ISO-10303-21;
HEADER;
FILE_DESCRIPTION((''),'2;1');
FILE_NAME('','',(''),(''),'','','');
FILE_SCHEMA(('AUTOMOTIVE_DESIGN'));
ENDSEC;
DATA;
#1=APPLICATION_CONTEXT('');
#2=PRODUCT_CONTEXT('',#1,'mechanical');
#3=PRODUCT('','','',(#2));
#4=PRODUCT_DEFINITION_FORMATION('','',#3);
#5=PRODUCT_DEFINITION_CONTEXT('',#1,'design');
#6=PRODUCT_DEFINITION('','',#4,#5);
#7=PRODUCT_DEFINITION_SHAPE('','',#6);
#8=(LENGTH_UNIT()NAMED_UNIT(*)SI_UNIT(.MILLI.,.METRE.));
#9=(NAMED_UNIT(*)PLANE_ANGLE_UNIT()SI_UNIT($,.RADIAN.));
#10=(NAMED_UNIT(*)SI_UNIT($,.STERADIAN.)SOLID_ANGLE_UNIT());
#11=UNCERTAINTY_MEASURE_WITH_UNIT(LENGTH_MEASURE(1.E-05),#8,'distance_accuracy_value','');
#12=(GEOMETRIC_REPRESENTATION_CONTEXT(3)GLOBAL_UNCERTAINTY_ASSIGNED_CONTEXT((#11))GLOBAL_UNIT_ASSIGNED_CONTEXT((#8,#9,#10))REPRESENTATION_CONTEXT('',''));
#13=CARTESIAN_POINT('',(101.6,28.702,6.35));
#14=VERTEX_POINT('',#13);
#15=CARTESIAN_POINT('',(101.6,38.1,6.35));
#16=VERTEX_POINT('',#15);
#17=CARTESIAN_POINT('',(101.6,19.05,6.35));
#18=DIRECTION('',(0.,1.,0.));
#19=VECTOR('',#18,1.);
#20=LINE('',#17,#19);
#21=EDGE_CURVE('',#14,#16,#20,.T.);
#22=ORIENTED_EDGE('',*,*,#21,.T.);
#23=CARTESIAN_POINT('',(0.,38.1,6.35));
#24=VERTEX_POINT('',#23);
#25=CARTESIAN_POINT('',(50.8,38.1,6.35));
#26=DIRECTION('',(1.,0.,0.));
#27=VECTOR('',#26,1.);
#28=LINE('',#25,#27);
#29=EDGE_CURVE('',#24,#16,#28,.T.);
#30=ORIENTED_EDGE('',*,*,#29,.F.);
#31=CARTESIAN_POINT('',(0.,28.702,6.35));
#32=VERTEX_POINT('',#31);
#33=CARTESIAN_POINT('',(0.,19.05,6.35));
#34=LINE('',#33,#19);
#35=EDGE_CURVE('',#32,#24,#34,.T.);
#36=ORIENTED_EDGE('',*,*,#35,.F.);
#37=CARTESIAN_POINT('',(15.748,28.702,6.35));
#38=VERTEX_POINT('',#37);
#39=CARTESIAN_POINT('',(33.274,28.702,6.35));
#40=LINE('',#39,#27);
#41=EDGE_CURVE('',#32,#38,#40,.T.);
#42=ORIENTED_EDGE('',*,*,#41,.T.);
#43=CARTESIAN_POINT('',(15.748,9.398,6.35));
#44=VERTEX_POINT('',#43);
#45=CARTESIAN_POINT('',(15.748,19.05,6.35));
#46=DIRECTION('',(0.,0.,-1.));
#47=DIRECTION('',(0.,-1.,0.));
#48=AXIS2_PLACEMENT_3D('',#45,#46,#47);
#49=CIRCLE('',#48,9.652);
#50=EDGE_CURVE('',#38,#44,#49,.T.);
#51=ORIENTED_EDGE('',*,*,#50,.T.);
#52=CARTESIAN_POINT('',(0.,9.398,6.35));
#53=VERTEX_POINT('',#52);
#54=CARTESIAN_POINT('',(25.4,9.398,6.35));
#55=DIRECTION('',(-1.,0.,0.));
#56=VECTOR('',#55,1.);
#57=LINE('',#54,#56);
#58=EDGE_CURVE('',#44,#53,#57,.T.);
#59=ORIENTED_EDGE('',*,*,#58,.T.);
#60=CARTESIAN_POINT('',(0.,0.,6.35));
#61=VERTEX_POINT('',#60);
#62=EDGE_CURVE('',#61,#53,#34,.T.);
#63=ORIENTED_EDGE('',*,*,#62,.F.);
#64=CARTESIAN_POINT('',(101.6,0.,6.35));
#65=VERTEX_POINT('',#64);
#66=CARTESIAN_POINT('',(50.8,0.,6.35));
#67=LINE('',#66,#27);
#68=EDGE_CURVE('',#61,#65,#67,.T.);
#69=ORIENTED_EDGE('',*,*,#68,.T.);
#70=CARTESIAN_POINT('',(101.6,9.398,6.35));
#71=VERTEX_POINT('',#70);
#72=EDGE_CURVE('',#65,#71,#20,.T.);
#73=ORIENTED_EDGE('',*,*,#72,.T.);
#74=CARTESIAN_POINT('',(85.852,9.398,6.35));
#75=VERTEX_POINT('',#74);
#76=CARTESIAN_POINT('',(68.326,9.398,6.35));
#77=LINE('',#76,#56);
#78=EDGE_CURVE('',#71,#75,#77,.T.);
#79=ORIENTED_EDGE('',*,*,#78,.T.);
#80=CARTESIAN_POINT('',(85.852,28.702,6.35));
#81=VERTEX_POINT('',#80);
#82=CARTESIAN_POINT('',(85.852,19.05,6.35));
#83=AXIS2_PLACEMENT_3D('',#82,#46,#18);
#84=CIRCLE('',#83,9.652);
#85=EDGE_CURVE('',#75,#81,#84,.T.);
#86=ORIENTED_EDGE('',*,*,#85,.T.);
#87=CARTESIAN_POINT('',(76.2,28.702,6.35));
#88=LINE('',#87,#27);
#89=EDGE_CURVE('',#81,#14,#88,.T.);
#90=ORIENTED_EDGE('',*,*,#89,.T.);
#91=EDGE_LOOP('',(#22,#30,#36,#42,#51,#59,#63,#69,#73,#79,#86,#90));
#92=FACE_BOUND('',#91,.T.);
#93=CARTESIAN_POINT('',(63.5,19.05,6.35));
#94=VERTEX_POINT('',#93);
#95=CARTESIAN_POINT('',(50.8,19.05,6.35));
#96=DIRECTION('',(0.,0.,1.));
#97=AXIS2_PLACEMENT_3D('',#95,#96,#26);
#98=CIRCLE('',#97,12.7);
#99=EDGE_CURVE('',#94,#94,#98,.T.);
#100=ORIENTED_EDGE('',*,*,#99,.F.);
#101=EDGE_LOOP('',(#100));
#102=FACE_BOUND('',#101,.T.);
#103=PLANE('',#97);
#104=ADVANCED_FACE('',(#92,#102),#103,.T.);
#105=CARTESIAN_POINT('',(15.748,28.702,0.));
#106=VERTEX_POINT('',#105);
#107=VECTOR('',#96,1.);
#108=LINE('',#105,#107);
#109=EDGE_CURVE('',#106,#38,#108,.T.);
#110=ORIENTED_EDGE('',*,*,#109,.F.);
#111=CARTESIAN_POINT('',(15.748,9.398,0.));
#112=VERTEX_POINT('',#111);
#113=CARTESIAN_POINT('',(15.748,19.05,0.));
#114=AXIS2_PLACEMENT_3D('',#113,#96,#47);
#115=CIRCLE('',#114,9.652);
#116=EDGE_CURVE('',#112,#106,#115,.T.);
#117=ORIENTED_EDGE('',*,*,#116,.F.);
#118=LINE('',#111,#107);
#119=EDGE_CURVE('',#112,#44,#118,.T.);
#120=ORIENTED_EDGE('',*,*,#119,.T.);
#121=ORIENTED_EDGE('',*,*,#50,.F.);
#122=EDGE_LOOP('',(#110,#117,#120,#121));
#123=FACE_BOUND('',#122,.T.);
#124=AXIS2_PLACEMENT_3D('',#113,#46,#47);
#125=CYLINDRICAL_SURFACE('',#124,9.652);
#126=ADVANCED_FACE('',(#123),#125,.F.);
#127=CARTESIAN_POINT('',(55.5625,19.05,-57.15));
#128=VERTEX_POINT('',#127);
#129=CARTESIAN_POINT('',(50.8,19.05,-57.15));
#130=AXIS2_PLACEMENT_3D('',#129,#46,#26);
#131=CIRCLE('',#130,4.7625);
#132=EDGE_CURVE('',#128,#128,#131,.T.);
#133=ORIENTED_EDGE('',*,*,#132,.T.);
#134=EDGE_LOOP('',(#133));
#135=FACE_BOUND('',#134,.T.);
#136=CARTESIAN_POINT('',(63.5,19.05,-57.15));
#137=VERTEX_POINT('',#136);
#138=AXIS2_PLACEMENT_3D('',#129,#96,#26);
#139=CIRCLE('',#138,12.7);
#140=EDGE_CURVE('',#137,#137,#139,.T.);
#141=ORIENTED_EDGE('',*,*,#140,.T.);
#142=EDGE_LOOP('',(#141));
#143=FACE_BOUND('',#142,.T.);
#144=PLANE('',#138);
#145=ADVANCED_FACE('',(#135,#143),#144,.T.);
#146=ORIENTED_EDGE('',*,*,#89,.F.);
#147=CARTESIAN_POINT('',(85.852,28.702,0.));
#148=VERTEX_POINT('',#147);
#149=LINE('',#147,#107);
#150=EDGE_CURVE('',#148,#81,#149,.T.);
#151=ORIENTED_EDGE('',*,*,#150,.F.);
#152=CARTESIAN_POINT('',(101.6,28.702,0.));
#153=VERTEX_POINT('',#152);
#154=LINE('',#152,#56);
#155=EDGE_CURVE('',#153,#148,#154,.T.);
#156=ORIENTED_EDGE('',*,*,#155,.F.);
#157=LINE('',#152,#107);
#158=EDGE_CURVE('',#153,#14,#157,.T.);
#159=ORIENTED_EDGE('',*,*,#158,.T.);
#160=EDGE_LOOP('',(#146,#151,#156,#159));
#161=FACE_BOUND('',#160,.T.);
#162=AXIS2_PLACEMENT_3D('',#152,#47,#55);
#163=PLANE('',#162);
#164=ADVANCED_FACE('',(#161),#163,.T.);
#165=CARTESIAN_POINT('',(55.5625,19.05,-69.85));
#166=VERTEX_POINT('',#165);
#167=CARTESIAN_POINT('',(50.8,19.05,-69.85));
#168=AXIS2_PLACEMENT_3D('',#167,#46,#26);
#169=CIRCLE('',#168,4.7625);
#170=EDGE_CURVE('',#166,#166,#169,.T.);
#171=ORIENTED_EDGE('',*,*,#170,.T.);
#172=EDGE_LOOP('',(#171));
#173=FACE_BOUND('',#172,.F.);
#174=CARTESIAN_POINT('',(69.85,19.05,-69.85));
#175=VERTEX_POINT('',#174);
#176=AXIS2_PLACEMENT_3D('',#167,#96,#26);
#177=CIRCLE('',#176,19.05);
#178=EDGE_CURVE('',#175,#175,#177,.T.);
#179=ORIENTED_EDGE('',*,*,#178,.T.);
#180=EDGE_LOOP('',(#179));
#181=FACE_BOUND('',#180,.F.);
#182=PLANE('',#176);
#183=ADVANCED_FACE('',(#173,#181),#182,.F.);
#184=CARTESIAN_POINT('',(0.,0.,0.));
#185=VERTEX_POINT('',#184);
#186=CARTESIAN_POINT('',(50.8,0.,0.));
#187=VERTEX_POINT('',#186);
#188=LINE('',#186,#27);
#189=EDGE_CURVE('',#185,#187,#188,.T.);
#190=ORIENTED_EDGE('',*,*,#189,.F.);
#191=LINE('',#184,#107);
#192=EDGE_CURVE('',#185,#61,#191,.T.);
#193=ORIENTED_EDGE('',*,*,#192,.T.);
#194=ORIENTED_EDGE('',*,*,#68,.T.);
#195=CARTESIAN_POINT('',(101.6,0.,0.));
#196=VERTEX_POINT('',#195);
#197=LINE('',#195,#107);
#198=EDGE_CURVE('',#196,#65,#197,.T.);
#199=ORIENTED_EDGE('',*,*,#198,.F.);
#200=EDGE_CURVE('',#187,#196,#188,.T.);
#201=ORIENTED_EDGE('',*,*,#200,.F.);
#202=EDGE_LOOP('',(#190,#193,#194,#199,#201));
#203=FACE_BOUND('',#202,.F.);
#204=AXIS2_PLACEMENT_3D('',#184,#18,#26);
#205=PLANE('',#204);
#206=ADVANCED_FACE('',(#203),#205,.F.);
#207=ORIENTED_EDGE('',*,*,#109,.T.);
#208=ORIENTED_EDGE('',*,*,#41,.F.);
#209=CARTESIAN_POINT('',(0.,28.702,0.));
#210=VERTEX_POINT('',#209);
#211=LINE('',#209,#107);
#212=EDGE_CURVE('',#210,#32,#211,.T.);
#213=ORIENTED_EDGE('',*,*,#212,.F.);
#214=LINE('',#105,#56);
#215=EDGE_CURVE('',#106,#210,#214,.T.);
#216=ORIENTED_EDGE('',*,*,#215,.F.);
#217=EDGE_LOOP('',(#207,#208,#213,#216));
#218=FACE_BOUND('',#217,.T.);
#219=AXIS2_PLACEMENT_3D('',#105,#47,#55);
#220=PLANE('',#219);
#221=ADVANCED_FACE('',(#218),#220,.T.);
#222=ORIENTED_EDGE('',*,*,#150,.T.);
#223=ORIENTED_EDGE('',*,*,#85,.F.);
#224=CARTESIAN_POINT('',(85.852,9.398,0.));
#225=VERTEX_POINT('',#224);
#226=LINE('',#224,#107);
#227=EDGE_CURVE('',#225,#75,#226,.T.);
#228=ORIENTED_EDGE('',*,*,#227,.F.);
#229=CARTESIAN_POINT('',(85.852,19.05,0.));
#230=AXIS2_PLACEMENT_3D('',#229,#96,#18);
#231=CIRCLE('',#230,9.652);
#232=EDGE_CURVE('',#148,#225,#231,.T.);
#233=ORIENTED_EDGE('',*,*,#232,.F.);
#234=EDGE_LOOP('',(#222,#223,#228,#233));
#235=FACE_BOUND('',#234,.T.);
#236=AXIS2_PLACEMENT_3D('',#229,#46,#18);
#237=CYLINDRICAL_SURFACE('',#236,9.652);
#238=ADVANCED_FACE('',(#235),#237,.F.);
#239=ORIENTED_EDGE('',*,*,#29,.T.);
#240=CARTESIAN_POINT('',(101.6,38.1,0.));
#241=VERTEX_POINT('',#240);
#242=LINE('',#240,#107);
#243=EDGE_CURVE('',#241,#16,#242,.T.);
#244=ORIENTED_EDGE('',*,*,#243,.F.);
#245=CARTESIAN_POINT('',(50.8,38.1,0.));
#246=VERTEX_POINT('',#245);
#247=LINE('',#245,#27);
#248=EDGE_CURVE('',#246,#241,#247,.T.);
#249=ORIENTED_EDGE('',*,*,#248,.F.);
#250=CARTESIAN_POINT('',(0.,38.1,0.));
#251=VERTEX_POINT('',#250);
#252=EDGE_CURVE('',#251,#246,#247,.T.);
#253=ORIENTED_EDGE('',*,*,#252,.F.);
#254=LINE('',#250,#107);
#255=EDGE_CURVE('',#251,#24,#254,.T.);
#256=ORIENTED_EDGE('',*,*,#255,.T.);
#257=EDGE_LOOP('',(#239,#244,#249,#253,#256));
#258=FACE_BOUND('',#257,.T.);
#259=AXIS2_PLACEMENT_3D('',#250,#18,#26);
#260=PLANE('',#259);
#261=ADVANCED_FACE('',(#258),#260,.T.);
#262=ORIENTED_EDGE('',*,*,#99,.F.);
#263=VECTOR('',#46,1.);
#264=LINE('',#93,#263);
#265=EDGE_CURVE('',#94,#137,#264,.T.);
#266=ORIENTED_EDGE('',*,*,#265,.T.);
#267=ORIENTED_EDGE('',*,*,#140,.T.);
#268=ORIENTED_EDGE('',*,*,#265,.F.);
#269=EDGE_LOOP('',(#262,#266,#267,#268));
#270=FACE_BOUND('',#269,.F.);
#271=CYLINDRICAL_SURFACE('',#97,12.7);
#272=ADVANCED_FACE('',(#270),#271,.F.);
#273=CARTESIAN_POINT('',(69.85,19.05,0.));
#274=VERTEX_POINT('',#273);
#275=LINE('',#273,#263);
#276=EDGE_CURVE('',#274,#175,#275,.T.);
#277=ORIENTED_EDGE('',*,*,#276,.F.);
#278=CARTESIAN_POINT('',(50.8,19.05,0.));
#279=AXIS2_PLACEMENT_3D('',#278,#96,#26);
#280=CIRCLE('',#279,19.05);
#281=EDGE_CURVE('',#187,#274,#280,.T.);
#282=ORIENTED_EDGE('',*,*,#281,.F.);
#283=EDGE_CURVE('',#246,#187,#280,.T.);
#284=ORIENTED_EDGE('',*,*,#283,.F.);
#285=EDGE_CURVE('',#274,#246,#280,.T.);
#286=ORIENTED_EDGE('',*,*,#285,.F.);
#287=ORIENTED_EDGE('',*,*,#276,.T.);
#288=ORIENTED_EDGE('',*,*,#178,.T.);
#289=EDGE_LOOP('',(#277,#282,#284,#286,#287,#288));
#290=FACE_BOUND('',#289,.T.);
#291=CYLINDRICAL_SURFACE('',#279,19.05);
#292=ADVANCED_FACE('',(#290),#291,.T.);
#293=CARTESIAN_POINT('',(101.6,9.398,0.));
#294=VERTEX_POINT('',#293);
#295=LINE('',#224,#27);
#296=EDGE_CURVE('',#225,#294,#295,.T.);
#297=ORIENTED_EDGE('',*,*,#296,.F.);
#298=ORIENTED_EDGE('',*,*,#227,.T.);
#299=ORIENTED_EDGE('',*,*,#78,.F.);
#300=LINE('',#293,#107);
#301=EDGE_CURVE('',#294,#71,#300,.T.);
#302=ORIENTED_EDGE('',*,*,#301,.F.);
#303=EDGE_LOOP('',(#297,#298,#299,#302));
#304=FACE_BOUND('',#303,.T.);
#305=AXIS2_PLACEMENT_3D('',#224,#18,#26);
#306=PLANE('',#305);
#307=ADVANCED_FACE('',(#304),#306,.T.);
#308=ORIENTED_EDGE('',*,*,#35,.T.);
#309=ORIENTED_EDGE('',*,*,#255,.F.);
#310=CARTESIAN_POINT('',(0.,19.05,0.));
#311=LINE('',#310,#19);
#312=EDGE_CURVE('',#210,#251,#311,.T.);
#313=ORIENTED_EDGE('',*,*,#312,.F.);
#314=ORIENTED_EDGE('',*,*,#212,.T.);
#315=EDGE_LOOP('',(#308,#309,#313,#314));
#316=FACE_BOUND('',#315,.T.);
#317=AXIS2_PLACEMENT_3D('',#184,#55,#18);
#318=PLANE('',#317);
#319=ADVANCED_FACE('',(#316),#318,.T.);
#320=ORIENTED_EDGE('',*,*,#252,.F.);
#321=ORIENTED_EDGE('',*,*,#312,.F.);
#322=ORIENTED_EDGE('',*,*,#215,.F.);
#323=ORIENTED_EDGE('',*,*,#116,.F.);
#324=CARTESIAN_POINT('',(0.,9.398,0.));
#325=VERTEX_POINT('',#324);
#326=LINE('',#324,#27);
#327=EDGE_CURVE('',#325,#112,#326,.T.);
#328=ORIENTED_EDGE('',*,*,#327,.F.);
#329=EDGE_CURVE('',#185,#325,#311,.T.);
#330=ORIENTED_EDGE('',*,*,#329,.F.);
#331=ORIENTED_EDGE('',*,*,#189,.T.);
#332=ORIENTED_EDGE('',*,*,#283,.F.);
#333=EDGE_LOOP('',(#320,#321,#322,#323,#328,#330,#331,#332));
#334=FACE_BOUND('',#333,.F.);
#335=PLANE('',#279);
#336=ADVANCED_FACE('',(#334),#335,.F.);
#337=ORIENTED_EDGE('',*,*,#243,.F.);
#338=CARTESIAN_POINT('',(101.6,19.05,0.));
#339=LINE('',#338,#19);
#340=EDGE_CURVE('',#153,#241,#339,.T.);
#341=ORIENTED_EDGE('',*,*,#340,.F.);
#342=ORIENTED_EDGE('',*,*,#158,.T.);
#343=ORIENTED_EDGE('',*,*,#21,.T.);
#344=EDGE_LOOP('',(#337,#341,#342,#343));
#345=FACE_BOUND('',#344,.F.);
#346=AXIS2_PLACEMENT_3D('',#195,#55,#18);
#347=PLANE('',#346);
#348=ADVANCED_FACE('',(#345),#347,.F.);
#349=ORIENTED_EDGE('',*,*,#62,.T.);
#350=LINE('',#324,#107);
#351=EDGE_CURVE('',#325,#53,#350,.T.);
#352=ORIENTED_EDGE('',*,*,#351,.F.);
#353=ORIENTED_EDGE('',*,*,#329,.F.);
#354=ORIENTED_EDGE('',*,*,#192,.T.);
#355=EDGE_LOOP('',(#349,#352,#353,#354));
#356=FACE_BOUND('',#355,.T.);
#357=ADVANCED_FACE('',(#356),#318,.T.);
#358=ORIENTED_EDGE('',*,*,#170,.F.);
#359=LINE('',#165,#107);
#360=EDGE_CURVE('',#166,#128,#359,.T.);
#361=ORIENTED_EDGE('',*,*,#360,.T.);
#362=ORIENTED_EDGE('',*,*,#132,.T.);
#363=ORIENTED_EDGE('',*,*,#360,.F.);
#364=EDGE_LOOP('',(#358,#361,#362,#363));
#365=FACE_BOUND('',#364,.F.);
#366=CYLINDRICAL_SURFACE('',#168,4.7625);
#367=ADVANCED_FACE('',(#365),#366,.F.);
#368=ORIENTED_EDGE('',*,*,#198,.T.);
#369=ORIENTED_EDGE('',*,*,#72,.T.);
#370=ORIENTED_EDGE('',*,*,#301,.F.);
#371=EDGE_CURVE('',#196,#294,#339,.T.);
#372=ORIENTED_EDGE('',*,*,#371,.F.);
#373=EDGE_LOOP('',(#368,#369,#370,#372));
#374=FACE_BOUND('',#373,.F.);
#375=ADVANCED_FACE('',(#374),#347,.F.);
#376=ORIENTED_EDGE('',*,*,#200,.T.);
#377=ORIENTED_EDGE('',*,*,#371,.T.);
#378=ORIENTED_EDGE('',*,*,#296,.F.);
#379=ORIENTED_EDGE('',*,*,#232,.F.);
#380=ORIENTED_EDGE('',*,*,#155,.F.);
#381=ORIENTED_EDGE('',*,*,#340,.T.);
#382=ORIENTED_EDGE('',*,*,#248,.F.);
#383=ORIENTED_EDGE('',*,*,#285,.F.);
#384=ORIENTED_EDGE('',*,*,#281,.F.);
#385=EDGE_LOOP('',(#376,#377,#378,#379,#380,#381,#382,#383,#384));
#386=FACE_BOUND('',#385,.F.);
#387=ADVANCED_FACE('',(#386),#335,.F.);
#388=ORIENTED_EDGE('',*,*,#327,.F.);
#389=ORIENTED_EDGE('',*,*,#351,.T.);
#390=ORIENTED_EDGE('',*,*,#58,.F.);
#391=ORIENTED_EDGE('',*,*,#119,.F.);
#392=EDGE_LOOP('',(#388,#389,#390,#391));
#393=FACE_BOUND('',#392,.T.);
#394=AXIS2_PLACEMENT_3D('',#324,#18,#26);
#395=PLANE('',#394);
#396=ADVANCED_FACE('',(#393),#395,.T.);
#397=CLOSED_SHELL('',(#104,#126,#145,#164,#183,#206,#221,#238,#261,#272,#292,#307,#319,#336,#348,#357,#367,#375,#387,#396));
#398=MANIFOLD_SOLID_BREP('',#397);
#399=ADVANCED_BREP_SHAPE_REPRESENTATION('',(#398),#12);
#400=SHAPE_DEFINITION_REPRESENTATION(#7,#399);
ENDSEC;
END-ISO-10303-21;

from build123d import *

# Parameters (mm, degrees)
F0_W     = 101.6
F0_H     = 38.1
F1_DEPTH = 6.35
F3_DEPTH = 25.4
F4_R     = 19.05
F5_DEPTH = 69.85
F6_R     = 12.7
F7_DEPTH = 63.5
F8_R     = 4.7625
F9_DEPTH = 76.201


with BuildPart() as f1:
    # F0 (on Top) → F1 (new body)
    with BuildSketch(Plane.XY):
        with Locations((50.8, 19.05)):
            Rectangle(F0_W, F0_H)
    extrude(amount=F1_DEPTH)

    # F2 (on Top) → F3 (cut)
    with BuildSketch(Plane.XY):
        with BuildLine():
            Line((15.748, 28.702), (0, 28.702))
            Line((0, 28.702), (0, 9.398))
            Line((0, 9.398), (15.748, 9.398))
            ThreePointArc((15.748, 9.398), (25.4, 19.05), (15.748, 28.702))
        make_face()
        with BuildLine():
            Line((101.6, 9.398), (101.6, 28.702))
            Line((101.6, 28.702), (85.852, 28.702))
            ThreePointArc((85.852, 28.702), (76.2, 19.05), (85.852, 9.398))
            Line((85.852, 9.398), (101.6, 9.398))
        make_face()
    extrude(amount=F3_DEPTH, mode=Mode.SUBTRACT)

    # F4 (on face) → F5 (join)
    with BuildSketch(Plane.XY):
        with Locations((50.8, 19.05)):
            Circle(F4_R)
    extrude(amount=-F5_DEPTH)

    # F6 (on face) → F7 (cut)
    with BuildSketch(Plane.XY.offset(6.35)):
        with Locations((50.8, 19.05)):
            Circle(F6_R)
    extrude(amount=-F7_DEPTH, mode=Mode.SUBTRACT)

    # F8 (on face) → F9 (cut, through all)
    with BuildSketch(Plane(origin=(0, 0, -69.85), x_dir=(1, 0, 0), z_dir=(0, 0, -1))):
        with Locations((50.8, -19.05)):
            Circle(F8_R)
    extrude(amount=-F9_DEPTH, mode=Mode.SUBTRACT)


solid = f1.part
